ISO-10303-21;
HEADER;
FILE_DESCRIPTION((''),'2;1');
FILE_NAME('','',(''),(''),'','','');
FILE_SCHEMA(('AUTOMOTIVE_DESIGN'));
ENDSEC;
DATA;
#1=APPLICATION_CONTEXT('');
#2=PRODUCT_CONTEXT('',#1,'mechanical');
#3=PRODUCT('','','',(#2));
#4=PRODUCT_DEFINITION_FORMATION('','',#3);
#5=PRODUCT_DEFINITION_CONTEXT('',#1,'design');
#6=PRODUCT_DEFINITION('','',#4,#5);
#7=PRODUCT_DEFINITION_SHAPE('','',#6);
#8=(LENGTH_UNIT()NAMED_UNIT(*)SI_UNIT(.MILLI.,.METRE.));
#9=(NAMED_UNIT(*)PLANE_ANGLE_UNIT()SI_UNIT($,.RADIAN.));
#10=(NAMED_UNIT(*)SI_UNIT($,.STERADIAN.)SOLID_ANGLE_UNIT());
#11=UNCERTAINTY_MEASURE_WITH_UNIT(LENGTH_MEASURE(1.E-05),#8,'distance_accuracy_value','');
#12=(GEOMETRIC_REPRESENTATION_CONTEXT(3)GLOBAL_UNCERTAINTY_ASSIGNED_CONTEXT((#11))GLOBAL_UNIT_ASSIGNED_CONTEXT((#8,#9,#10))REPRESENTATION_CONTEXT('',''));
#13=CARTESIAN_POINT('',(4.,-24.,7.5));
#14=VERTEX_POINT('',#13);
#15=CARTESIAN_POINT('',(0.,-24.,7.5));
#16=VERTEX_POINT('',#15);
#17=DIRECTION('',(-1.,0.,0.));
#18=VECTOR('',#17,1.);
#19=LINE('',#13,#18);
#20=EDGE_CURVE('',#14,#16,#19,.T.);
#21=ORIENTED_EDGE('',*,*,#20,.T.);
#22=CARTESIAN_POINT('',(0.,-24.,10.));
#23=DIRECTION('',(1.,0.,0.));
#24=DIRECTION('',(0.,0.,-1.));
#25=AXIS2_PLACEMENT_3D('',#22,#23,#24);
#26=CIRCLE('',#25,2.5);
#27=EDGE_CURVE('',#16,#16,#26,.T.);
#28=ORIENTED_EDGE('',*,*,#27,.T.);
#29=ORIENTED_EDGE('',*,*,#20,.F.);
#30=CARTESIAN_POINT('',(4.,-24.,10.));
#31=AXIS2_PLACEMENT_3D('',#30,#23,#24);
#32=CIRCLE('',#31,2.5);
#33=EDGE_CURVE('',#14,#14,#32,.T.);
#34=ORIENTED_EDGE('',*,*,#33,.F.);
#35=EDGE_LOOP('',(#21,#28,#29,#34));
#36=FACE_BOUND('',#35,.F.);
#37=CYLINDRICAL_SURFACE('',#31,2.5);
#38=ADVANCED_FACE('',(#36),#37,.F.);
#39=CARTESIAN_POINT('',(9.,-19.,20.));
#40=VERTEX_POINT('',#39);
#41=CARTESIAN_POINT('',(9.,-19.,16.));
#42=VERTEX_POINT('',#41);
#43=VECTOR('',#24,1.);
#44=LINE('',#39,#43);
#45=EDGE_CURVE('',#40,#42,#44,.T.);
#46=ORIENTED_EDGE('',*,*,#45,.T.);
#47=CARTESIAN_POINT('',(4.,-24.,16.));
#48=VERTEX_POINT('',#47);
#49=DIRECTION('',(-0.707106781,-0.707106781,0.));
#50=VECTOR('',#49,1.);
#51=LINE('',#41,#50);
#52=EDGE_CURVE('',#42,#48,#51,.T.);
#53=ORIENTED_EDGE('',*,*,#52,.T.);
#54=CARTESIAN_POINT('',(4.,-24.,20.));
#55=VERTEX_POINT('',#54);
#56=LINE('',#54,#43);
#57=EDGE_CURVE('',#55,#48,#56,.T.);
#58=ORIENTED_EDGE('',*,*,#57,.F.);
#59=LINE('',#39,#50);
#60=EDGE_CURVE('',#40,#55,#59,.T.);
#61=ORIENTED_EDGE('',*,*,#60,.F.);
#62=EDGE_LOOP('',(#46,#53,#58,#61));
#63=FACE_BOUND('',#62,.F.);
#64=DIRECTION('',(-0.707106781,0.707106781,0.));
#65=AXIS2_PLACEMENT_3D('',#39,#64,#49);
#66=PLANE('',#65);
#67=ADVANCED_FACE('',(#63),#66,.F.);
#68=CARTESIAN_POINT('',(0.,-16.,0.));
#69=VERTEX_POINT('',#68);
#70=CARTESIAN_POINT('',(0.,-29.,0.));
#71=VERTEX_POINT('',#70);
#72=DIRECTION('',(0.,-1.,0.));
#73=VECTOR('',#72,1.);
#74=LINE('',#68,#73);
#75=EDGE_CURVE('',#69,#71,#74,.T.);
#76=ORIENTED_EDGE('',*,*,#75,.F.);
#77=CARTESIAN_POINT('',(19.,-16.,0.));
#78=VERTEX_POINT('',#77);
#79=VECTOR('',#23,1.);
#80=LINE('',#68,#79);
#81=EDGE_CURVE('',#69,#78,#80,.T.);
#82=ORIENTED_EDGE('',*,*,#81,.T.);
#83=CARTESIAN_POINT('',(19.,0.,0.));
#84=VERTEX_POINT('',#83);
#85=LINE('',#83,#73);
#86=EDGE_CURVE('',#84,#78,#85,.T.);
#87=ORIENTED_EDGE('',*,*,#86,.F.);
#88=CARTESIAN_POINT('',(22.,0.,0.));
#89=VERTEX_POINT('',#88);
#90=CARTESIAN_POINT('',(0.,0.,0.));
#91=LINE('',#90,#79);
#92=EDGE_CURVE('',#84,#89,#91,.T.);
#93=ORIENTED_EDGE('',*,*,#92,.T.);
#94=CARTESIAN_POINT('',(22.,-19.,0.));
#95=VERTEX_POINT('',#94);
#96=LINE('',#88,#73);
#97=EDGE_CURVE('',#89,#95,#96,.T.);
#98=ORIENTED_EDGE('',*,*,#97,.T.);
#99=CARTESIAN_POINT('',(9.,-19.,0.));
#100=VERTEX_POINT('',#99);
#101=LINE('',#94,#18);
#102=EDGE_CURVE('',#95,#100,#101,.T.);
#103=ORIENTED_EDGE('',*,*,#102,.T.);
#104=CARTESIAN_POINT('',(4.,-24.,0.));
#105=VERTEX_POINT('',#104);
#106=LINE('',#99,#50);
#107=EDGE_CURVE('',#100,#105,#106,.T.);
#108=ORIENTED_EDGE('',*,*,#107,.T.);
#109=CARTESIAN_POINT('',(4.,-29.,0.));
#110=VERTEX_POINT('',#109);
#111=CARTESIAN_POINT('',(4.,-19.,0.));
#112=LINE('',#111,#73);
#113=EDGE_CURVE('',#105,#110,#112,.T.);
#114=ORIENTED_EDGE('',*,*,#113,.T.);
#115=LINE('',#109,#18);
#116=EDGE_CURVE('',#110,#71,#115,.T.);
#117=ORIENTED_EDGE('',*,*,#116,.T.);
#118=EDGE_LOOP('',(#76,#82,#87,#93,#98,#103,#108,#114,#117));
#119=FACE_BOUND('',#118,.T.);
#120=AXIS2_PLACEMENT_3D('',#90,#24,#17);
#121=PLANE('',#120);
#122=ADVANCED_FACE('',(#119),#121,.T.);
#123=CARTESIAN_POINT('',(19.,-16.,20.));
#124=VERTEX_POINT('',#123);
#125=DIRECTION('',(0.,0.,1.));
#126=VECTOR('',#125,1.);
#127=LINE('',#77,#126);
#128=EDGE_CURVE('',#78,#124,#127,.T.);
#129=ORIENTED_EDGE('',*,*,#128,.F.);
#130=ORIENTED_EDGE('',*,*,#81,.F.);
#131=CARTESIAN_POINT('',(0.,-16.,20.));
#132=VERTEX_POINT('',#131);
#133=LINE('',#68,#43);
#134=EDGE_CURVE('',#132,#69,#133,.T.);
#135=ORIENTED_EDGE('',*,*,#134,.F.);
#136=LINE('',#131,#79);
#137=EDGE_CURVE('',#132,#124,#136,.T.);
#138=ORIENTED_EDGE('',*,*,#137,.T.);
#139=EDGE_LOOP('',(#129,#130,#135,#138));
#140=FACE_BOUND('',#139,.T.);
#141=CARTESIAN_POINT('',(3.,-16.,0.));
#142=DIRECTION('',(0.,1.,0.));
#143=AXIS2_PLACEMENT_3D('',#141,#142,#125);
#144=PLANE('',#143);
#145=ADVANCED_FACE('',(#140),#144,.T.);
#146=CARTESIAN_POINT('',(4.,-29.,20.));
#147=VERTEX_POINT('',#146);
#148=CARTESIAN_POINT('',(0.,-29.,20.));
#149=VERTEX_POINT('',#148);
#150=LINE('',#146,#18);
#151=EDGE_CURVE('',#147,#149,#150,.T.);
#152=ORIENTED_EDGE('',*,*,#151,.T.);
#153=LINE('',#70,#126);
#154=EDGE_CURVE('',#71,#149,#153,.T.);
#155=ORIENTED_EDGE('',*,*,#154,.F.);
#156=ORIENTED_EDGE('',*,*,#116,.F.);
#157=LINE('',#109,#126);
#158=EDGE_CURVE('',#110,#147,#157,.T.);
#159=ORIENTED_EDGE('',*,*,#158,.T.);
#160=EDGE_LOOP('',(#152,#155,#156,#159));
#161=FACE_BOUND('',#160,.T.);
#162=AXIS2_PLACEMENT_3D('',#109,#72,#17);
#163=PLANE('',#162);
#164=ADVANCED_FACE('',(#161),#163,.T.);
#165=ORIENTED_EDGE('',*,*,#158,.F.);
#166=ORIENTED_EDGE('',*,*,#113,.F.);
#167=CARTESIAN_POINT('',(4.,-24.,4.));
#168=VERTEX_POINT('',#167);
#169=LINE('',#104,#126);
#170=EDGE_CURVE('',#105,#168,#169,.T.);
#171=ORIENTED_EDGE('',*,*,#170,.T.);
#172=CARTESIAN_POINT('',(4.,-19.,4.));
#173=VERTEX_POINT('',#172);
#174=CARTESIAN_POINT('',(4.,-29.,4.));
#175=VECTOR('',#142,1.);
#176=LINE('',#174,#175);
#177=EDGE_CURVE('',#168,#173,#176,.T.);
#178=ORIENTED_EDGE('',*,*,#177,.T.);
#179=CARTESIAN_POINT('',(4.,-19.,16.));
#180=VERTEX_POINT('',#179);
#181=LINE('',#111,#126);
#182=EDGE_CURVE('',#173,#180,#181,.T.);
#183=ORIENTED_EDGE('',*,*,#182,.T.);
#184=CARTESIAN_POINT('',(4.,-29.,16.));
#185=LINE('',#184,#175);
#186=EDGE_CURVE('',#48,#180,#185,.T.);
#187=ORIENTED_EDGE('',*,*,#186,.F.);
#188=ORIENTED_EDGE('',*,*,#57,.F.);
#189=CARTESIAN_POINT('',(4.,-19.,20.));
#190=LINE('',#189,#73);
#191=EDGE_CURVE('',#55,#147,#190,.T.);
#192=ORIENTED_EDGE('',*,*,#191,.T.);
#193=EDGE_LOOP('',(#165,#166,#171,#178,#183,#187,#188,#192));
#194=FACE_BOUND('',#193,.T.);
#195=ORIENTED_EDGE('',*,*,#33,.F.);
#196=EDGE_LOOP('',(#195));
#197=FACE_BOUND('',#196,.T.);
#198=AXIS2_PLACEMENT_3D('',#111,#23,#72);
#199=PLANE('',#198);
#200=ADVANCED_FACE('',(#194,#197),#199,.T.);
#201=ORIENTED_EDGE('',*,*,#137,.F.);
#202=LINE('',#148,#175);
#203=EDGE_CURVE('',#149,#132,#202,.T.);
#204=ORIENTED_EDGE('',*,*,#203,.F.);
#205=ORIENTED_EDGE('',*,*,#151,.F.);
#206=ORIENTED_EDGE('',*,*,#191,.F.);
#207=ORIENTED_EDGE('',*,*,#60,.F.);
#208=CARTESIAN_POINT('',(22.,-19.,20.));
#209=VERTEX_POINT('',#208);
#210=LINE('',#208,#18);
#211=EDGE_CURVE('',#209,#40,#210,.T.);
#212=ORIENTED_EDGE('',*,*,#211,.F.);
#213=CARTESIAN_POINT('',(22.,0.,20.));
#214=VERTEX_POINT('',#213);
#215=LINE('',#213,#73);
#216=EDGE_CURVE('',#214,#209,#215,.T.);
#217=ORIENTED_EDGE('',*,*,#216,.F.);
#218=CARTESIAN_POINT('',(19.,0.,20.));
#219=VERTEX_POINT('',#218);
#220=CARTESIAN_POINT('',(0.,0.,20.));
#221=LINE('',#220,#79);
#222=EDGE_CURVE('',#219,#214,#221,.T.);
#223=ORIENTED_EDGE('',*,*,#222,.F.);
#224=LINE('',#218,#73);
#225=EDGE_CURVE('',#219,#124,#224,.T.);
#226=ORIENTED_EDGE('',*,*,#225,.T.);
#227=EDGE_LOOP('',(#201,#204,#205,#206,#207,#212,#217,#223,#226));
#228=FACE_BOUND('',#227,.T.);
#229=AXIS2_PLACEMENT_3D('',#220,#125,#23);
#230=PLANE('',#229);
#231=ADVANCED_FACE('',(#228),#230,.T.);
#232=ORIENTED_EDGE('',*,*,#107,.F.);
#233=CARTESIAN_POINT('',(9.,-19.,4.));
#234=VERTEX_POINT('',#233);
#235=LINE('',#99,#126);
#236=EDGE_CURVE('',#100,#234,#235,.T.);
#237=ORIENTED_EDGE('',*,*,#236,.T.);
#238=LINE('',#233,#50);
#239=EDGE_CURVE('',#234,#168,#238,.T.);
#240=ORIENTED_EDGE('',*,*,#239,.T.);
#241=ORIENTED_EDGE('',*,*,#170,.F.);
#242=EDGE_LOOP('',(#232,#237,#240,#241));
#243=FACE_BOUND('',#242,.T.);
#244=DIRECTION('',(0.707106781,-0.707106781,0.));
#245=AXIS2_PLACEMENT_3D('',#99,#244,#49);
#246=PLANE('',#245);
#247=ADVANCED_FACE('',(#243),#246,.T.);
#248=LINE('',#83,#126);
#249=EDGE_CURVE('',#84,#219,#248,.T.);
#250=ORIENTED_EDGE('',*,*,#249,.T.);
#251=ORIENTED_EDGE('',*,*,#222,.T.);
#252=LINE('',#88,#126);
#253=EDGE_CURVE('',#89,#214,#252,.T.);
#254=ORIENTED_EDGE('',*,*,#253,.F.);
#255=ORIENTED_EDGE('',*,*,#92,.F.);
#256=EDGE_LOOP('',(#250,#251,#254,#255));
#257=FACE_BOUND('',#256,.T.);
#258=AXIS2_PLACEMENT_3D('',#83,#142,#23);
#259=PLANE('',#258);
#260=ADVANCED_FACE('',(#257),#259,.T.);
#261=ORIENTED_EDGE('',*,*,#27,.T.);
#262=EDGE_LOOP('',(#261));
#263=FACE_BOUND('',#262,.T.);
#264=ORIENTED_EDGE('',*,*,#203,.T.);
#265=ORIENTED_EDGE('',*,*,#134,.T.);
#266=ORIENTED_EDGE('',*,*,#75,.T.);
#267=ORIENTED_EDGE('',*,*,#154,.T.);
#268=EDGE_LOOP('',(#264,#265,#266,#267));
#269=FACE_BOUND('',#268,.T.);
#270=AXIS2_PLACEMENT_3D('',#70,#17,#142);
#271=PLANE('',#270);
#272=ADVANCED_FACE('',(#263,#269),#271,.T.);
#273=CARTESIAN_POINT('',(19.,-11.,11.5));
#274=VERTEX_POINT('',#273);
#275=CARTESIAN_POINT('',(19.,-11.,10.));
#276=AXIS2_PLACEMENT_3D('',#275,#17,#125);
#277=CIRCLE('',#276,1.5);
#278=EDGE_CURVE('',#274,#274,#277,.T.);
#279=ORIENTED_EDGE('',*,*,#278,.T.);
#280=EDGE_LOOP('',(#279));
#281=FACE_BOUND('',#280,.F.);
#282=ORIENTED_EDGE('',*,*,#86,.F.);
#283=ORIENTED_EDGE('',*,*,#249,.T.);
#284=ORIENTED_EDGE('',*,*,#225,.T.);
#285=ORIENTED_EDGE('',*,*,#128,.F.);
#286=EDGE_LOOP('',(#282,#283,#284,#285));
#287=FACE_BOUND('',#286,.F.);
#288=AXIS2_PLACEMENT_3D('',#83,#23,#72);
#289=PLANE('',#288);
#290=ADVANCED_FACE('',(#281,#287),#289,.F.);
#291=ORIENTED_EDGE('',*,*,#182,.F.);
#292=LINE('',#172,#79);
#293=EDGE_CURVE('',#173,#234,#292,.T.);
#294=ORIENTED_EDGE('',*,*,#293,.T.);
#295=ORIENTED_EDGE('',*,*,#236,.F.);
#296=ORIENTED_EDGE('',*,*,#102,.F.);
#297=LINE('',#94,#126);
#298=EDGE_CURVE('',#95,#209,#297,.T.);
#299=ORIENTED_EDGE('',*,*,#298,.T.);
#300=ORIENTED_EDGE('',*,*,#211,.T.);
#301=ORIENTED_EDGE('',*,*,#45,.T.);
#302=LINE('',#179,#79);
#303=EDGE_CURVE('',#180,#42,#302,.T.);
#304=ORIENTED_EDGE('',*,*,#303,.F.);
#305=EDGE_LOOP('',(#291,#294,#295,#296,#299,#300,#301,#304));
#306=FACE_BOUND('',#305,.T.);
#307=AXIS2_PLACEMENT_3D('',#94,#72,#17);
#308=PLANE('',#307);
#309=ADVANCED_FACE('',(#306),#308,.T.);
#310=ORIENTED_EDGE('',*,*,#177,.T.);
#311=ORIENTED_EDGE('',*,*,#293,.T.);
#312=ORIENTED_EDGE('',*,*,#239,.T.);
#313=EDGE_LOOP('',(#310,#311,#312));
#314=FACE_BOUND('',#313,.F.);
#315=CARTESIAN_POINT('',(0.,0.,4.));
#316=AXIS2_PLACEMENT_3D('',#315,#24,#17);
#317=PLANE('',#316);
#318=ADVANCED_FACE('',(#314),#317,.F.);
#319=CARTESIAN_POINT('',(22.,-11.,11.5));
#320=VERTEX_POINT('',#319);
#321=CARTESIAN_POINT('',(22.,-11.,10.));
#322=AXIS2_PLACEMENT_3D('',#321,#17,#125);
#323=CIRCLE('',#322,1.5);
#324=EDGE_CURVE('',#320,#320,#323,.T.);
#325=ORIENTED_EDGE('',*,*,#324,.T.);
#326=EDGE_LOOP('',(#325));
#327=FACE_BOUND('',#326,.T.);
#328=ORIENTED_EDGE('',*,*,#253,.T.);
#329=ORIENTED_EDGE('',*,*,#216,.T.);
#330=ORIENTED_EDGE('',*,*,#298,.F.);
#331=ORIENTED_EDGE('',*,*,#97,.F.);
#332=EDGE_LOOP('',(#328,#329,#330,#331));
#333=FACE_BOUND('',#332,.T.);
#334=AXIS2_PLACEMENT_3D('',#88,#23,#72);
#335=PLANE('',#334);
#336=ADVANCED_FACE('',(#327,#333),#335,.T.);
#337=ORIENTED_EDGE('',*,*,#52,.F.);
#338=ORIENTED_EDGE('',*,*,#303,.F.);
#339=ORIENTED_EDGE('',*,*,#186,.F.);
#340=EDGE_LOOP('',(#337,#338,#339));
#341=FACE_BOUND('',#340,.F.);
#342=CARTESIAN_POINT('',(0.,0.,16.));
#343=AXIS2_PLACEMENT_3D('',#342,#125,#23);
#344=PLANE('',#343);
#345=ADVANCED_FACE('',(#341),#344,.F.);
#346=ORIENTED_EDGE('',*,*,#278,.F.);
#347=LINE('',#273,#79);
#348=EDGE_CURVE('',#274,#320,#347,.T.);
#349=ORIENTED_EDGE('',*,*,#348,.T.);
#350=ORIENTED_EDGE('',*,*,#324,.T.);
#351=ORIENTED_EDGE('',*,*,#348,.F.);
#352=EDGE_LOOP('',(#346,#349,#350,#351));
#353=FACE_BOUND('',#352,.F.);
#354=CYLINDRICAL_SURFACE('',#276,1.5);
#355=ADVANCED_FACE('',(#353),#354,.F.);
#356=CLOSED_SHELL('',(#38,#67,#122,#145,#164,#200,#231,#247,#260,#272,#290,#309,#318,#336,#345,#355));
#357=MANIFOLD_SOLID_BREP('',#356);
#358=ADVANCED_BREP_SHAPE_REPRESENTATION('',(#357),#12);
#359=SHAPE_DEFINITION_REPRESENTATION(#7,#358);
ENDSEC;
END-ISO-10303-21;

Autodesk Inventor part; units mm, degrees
ref_plane "YZ Plane" through (0, 0, 0) normal (1, 0, 0) x (0, 1, 0)
ref_plane "XZ Plane" through (0, 0, 0) normal (0, 1, 0) x (-1, 0, 0)
ref_plane "XY Plane" through (0, 0, 0) normal (0, 0, 1) x (1, 0, 0)
sketch "Sketch1" plane through (0, 0, 0) normal (0, 0, 1) x (1, 0, 0)
  line L0 (0, 0) -> (22, 0)
  line L1 (22, 0) -> (22, -19)
  line L2 (22, -19) -> (0, -19)
  line L3 (0, -19) -> (0, 0)
  line L4 (3, 0) -> (19, 0)
  line L5 (19, 0) -> (19, -16)
  line L6 (19, -16) -> (3, -16)
  line L7 (3, -16) -> (3, 0)
  dimension "d0" = 22
  dimension "d1" = 19
  dimension "d2" = 3
  dimension "d3" = 3
  dimension "d4" = 3
extrude "Extrusion1" add sketch "Sketch1" along normal blind 20 contours L0 L7 L6 L5 L1 L2 L3
sketch "Sketch4" plane through (3, -16, 0) normal (1, 0, 0) x (0, 0, -1)
  line L0 (-20, 0) -> (-20, 16) projected
  line L1 (0, 0) -> (-20, 0)
  line L2 (-20, 0) -> (-20, 16)
  line L3 (-20, 16) -> (0, 16)
  line L4 (0, 16) -> (0, 0)
extrude "Extrusion4" cut sketch "Sketch4" against normal through all
sketch "Sketch5" plane through (0, 0, 0) normal (0, 0, -1) x (-1, 0, 0)
  line L0 (0, -19) -> (-22, -19) projected
  line L1 (0, -19) -> (-4, -19)
  line L2 (-4, -19) -> (-4, -29)
  line L3 (-4, -29) -> (0, -29)
  line L4 (0, -29) -> (0, -19)
  point P0 (0, 0)
  dimension "d17" = 4
  dimension "d18" = 10
extrude "Extrusion5" add sketch "Sketch5" against normal blind 20
sketch "Sketch6" plane through (4, -29, 0) normal (1, 0, 0) x (0, 0, -1)
  line L0 (0, 10) -> (-20, 10) projected
  line L1 (0, 10) -> (0, 0) projected
  circle A0 centre (-10, 5) radius 2.5
  point P0 (0, 29)
  dimension "d21" = 5
  dimension "d22" = 10
  dimension "d23" = 5
extrude "Extrusion6" cut sketch "Sketch6" against normal through all
sketch "Sketch7" plane through (0, 0, 0) normal (0, 0, -1) x (-1, 0, 0)
  line L0 (-4, -19) -> (-22, -19) projected
  line L1 (-4, -29) -> (-4, -19) projected
  line L2 (-9, -19) -> (-4, -24)
  point P0 (0, 0)
  dimension "d26" = 5
  dimension "d27" = 5
extrude "Extrusion7" add sketch "Sketch7" against normal blind 4
sketch "Sketch8" plane through (0, 0, 20) normal (0, 0, 1) x (1, 0, 0)
  line L0 (4, -19) -> (22, -19) projected
  line L1 (4, -29) -> (4, -19) projected
  line L2 (9, -19) -> (4, -24)
  point P0 (0, 0)
  dimension "d30" = 5
  dimension "d31" = 5
extrude "Extrusion8" add sketch "Sketch8" against normal blind 4
sketch "Sketch9" plane through (19, -16, 0) normal (-1, 0, 0) x (0, 0, 1)
  line L0 (0, 16) -> (0, 0) projected
  line L1 (0, 0) -> (20, 0) projected
  circle A0 centre (10, 5) radius 1.5
  dimension "d34" = 10
  dimension "d35" = 5
  dimension "d36" = 3
extrude "Extrusion9" cut sketch "Sketch9" against normal through all
equation "\"d3\" = d2"
equation "\"d4\" = d2"
equation "\"d27\" = d26"
equation "\"d30\" = d26"
equation "\"d31\" = d30"
properties part number "LED strip mount v03"
